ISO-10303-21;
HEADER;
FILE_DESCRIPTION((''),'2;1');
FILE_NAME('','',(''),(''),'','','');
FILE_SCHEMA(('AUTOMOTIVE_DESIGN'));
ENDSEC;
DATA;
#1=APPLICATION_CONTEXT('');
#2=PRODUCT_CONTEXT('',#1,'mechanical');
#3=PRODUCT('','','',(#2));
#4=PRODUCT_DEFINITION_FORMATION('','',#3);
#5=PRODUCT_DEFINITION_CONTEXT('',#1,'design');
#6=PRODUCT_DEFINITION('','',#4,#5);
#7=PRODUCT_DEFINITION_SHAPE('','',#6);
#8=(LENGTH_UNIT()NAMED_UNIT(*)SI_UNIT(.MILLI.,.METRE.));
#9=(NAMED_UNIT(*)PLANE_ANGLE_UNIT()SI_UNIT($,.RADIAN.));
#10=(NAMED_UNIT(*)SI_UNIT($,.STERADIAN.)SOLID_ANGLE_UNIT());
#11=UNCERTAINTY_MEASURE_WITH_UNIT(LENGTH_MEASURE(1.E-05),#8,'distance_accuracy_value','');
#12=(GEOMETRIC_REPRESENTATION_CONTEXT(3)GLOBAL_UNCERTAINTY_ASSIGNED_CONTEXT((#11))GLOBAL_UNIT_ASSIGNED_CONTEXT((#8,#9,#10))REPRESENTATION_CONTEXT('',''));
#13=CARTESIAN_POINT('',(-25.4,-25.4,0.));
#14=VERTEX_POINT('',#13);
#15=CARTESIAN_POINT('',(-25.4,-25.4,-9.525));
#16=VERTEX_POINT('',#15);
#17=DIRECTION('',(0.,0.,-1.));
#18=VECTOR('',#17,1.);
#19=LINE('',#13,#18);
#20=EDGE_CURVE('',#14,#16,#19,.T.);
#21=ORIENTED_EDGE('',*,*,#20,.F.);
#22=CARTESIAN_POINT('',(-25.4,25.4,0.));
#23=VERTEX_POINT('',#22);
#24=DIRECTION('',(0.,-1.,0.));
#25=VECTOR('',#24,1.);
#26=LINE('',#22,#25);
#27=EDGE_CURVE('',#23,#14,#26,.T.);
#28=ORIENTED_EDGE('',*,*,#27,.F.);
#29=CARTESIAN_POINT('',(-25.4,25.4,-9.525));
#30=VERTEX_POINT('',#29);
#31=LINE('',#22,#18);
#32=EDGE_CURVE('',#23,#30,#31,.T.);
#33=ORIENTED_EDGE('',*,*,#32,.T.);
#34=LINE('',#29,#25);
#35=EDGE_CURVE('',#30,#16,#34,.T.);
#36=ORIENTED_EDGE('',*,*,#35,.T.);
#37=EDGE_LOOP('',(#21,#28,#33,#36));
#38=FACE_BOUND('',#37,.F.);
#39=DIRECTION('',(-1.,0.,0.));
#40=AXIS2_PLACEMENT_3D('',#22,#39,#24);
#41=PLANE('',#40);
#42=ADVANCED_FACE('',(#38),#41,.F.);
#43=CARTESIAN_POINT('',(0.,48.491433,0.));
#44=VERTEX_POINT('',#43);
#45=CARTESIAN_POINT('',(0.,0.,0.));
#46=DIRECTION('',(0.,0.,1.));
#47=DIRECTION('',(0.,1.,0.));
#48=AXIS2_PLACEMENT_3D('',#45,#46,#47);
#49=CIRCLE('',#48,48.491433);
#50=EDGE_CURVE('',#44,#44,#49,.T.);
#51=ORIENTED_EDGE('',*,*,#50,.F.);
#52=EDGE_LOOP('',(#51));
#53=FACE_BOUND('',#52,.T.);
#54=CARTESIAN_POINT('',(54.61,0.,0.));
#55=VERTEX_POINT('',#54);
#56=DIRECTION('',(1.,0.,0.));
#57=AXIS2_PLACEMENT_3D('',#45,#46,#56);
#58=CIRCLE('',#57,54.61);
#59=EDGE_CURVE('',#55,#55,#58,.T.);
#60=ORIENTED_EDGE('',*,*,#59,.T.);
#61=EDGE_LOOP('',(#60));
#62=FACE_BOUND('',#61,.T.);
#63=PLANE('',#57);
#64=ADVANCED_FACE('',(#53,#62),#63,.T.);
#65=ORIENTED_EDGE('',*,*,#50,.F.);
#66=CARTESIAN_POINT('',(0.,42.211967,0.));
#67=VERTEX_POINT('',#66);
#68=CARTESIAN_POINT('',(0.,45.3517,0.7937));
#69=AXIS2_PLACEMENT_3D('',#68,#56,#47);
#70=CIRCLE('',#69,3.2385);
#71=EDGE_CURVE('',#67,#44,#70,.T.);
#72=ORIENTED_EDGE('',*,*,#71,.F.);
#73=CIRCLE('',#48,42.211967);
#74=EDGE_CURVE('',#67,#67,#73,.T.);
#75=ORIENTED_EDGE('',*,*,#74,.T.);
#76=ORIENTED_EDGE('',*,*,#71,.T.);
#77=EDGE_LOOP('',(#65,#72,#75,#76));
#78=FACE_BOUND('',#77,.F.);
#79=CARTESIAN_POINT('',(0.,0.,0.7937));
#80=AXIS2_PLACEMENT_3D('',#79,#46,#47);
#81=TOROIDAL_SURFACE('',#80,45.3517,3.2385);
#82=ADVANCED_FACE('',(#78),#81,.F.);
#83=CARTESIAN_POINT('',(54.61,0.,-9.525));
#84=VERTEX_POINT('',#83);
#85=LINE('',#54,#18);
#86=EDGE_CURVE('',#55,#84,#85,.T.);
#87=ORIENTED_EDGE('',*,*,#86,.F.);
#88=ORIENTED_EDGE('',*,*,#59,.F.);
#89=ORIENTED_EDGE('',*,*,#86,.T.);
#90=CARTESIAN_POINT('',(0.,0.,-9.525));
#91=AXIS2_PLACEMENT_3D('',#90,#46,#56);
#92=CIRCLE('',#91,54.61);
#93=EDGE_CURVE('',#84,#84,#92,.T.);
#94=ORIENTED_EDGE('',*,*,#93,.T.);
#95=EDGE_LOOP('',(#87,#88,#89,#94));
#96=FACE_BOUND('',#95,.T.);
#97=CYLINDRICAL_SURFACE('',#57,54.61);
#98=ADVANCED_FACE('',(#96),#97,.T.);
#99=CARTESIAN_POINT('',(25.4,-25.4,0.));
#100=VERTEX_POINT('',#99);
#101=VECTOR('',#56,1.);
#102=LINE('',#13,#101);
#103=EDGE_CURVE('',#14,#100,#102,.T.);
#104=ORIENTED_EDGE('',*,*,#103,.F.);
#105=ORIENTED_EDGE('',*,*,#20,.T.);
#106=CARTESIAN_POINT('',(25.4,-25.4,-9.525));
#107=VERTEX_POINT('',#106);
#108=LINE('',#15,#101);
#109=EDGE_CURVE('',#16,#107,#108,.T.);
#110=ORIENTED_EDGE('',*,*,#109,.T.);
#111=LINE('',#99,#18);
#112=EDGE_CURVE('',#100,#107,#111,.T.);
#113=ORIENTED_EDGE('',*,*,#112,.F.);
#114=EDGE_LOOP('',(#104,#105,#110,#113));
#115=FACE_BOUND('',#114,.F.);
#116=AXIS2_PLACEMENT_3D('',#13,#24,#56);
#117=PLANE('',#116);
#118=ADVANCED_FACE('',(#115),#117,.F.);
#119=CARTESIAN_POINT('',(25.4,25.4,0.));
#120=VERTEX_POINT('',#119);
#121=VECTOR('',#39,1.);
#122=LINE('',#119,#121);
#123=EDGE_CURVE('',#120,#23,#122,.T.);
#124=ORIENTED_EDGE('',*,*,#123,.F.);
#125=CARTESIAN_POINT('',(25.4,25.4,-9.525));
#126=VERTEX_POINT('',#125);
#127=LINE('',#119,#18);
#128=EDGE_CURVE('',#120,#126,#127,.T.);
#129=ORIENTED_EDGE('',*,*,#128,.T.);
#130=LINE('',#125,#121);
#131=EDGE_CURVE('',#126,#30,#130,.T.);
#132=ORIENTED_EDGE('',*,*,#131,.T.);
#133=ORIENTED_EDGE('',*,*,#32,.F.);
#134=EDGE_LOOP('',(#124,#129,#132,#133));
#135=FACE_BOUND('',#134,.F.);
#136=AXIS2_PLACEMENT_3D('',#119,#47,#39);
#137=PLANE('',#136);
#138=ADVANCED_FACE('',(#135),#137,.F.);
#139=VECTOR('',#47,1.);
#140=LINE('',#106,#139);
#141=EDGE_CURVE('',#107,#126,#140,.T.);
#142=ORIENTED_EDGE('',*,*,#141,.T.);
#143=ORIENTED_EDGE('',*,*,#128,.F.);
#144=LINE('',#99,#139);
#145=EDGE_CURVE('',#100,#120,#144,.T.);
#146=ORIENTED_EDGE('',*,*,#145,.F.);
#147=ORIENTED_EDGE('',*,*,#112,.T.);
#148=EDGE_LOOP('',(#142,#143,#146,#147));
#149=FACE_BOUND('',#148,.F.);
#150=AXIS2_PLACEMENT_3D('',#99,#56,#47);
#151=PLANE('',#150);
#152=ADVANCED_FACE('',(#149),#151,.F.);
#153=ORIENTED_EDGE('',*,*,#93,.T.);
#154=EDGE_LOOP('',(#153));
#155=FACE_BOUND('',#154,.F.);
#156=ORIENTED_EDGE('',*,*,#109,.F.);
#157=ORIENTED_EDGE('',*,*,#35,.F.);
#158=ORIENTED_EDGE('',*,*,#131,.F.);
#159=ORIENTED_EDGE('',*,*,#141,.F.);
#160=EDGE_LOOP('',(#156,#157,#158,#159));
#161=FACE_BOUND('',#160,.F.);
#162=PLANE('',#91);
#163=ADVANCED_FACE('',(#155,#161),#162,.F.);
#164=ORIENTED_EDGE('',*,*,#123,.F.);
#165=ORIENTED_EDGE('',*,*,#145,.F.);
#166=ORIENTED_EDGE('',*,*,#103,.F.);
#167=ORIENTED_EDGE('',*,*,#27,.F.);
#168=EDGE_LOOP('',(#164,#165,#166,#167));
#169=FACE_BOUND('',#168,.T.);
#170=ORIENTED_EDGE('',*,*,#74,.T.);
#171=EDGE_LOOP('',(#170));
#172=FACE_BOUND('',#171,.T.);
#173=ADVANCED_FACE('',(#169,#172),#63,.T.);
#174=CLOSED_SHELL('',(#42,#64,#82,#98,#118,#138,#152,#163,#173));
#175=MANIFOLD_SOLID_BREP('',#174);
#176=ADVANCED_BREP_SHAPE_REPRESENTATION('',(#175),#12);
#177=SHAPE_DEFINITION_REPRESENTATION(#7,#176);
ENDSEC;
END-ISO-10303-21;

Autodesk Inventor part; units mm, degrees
ref_plane "YZ Plane" through (0, 0, 0) normal (1, 0, 0) x (0, 1, 0)
ref_plane "XZ Plane" through (0, 0, 0) normal (0, 1, 0) x (-1, 0, 0)
ref_plane "XY Plane" through (0, 0, 0) normal (0, 0, 1) x (1, 0, 0)
sketch "Sketch1" plane through (0, 0, 0) normal (0, 0, 1) x (1, 0, 0)
  circle A0 centre (0, 0) radius 48.5902 construction
  circle A1 centre (0, 0) radius 42.1132 construction
  circle A2 centre (0, 0) radius 54.61
  circle A3 centre (0, 0) radius 51.7652 construction
  line L0 (0, 0) -> (0, 45.3517) construction
  line L1 (-25.4, -25.4) -> (25.4, -25.4)
  line L2 (25.4, -25.4) -> (25.4, 25.4)
  line L3 (25.4, 25.4) -> (-25.4, 25.4)
  line L4 (-25.4, 25.4) -> (-25.4, -25.4)
  line L5 (-25.4, -25.4) -> (25.4, 25.4) construction
  line L6 (25.4, -25.4) -> (-25.4, 25.4) construction
  dimension "d0" = 97.1804
  dimension "d1" = 84.2264
  dimension "d2" = 109.22
  dimension "d3" = 103.5304
  dimension "d15" = 45.3517
  dimension "d22" = 50.8
  dimension "d23" = 50.8
sketch "Sketch2" plane through (0, 0, 0) normal (1, 0, 0) x (0, 1, 0)
  line L0 (0, 0) -> (45.3517, 0) construction
  line L1 (45.3517, 0) -> (45.3517, 0.7937) construction
  circle A0 centre (45.3517, 0.7937) radius 3.2385
  line L2 (0, 0) -> (0, 25.4) construction
  dimension "d16" = 6.477
  dimension "d17" = 0.7937
  dimension "d18" = 25.4
extrude "Extrusion2" add sketch "Sketch1" against normal blind 9.525
revolve "Revolution2" cut sketch "Sketch2" angle 360 about axis through (0, 0, 0) along (0, 0, 1)
equation "\"d15\" = 0.25 * d1 + 0.25 * d0"
properties part number "Base Gear" material "Aluminum 6061"
